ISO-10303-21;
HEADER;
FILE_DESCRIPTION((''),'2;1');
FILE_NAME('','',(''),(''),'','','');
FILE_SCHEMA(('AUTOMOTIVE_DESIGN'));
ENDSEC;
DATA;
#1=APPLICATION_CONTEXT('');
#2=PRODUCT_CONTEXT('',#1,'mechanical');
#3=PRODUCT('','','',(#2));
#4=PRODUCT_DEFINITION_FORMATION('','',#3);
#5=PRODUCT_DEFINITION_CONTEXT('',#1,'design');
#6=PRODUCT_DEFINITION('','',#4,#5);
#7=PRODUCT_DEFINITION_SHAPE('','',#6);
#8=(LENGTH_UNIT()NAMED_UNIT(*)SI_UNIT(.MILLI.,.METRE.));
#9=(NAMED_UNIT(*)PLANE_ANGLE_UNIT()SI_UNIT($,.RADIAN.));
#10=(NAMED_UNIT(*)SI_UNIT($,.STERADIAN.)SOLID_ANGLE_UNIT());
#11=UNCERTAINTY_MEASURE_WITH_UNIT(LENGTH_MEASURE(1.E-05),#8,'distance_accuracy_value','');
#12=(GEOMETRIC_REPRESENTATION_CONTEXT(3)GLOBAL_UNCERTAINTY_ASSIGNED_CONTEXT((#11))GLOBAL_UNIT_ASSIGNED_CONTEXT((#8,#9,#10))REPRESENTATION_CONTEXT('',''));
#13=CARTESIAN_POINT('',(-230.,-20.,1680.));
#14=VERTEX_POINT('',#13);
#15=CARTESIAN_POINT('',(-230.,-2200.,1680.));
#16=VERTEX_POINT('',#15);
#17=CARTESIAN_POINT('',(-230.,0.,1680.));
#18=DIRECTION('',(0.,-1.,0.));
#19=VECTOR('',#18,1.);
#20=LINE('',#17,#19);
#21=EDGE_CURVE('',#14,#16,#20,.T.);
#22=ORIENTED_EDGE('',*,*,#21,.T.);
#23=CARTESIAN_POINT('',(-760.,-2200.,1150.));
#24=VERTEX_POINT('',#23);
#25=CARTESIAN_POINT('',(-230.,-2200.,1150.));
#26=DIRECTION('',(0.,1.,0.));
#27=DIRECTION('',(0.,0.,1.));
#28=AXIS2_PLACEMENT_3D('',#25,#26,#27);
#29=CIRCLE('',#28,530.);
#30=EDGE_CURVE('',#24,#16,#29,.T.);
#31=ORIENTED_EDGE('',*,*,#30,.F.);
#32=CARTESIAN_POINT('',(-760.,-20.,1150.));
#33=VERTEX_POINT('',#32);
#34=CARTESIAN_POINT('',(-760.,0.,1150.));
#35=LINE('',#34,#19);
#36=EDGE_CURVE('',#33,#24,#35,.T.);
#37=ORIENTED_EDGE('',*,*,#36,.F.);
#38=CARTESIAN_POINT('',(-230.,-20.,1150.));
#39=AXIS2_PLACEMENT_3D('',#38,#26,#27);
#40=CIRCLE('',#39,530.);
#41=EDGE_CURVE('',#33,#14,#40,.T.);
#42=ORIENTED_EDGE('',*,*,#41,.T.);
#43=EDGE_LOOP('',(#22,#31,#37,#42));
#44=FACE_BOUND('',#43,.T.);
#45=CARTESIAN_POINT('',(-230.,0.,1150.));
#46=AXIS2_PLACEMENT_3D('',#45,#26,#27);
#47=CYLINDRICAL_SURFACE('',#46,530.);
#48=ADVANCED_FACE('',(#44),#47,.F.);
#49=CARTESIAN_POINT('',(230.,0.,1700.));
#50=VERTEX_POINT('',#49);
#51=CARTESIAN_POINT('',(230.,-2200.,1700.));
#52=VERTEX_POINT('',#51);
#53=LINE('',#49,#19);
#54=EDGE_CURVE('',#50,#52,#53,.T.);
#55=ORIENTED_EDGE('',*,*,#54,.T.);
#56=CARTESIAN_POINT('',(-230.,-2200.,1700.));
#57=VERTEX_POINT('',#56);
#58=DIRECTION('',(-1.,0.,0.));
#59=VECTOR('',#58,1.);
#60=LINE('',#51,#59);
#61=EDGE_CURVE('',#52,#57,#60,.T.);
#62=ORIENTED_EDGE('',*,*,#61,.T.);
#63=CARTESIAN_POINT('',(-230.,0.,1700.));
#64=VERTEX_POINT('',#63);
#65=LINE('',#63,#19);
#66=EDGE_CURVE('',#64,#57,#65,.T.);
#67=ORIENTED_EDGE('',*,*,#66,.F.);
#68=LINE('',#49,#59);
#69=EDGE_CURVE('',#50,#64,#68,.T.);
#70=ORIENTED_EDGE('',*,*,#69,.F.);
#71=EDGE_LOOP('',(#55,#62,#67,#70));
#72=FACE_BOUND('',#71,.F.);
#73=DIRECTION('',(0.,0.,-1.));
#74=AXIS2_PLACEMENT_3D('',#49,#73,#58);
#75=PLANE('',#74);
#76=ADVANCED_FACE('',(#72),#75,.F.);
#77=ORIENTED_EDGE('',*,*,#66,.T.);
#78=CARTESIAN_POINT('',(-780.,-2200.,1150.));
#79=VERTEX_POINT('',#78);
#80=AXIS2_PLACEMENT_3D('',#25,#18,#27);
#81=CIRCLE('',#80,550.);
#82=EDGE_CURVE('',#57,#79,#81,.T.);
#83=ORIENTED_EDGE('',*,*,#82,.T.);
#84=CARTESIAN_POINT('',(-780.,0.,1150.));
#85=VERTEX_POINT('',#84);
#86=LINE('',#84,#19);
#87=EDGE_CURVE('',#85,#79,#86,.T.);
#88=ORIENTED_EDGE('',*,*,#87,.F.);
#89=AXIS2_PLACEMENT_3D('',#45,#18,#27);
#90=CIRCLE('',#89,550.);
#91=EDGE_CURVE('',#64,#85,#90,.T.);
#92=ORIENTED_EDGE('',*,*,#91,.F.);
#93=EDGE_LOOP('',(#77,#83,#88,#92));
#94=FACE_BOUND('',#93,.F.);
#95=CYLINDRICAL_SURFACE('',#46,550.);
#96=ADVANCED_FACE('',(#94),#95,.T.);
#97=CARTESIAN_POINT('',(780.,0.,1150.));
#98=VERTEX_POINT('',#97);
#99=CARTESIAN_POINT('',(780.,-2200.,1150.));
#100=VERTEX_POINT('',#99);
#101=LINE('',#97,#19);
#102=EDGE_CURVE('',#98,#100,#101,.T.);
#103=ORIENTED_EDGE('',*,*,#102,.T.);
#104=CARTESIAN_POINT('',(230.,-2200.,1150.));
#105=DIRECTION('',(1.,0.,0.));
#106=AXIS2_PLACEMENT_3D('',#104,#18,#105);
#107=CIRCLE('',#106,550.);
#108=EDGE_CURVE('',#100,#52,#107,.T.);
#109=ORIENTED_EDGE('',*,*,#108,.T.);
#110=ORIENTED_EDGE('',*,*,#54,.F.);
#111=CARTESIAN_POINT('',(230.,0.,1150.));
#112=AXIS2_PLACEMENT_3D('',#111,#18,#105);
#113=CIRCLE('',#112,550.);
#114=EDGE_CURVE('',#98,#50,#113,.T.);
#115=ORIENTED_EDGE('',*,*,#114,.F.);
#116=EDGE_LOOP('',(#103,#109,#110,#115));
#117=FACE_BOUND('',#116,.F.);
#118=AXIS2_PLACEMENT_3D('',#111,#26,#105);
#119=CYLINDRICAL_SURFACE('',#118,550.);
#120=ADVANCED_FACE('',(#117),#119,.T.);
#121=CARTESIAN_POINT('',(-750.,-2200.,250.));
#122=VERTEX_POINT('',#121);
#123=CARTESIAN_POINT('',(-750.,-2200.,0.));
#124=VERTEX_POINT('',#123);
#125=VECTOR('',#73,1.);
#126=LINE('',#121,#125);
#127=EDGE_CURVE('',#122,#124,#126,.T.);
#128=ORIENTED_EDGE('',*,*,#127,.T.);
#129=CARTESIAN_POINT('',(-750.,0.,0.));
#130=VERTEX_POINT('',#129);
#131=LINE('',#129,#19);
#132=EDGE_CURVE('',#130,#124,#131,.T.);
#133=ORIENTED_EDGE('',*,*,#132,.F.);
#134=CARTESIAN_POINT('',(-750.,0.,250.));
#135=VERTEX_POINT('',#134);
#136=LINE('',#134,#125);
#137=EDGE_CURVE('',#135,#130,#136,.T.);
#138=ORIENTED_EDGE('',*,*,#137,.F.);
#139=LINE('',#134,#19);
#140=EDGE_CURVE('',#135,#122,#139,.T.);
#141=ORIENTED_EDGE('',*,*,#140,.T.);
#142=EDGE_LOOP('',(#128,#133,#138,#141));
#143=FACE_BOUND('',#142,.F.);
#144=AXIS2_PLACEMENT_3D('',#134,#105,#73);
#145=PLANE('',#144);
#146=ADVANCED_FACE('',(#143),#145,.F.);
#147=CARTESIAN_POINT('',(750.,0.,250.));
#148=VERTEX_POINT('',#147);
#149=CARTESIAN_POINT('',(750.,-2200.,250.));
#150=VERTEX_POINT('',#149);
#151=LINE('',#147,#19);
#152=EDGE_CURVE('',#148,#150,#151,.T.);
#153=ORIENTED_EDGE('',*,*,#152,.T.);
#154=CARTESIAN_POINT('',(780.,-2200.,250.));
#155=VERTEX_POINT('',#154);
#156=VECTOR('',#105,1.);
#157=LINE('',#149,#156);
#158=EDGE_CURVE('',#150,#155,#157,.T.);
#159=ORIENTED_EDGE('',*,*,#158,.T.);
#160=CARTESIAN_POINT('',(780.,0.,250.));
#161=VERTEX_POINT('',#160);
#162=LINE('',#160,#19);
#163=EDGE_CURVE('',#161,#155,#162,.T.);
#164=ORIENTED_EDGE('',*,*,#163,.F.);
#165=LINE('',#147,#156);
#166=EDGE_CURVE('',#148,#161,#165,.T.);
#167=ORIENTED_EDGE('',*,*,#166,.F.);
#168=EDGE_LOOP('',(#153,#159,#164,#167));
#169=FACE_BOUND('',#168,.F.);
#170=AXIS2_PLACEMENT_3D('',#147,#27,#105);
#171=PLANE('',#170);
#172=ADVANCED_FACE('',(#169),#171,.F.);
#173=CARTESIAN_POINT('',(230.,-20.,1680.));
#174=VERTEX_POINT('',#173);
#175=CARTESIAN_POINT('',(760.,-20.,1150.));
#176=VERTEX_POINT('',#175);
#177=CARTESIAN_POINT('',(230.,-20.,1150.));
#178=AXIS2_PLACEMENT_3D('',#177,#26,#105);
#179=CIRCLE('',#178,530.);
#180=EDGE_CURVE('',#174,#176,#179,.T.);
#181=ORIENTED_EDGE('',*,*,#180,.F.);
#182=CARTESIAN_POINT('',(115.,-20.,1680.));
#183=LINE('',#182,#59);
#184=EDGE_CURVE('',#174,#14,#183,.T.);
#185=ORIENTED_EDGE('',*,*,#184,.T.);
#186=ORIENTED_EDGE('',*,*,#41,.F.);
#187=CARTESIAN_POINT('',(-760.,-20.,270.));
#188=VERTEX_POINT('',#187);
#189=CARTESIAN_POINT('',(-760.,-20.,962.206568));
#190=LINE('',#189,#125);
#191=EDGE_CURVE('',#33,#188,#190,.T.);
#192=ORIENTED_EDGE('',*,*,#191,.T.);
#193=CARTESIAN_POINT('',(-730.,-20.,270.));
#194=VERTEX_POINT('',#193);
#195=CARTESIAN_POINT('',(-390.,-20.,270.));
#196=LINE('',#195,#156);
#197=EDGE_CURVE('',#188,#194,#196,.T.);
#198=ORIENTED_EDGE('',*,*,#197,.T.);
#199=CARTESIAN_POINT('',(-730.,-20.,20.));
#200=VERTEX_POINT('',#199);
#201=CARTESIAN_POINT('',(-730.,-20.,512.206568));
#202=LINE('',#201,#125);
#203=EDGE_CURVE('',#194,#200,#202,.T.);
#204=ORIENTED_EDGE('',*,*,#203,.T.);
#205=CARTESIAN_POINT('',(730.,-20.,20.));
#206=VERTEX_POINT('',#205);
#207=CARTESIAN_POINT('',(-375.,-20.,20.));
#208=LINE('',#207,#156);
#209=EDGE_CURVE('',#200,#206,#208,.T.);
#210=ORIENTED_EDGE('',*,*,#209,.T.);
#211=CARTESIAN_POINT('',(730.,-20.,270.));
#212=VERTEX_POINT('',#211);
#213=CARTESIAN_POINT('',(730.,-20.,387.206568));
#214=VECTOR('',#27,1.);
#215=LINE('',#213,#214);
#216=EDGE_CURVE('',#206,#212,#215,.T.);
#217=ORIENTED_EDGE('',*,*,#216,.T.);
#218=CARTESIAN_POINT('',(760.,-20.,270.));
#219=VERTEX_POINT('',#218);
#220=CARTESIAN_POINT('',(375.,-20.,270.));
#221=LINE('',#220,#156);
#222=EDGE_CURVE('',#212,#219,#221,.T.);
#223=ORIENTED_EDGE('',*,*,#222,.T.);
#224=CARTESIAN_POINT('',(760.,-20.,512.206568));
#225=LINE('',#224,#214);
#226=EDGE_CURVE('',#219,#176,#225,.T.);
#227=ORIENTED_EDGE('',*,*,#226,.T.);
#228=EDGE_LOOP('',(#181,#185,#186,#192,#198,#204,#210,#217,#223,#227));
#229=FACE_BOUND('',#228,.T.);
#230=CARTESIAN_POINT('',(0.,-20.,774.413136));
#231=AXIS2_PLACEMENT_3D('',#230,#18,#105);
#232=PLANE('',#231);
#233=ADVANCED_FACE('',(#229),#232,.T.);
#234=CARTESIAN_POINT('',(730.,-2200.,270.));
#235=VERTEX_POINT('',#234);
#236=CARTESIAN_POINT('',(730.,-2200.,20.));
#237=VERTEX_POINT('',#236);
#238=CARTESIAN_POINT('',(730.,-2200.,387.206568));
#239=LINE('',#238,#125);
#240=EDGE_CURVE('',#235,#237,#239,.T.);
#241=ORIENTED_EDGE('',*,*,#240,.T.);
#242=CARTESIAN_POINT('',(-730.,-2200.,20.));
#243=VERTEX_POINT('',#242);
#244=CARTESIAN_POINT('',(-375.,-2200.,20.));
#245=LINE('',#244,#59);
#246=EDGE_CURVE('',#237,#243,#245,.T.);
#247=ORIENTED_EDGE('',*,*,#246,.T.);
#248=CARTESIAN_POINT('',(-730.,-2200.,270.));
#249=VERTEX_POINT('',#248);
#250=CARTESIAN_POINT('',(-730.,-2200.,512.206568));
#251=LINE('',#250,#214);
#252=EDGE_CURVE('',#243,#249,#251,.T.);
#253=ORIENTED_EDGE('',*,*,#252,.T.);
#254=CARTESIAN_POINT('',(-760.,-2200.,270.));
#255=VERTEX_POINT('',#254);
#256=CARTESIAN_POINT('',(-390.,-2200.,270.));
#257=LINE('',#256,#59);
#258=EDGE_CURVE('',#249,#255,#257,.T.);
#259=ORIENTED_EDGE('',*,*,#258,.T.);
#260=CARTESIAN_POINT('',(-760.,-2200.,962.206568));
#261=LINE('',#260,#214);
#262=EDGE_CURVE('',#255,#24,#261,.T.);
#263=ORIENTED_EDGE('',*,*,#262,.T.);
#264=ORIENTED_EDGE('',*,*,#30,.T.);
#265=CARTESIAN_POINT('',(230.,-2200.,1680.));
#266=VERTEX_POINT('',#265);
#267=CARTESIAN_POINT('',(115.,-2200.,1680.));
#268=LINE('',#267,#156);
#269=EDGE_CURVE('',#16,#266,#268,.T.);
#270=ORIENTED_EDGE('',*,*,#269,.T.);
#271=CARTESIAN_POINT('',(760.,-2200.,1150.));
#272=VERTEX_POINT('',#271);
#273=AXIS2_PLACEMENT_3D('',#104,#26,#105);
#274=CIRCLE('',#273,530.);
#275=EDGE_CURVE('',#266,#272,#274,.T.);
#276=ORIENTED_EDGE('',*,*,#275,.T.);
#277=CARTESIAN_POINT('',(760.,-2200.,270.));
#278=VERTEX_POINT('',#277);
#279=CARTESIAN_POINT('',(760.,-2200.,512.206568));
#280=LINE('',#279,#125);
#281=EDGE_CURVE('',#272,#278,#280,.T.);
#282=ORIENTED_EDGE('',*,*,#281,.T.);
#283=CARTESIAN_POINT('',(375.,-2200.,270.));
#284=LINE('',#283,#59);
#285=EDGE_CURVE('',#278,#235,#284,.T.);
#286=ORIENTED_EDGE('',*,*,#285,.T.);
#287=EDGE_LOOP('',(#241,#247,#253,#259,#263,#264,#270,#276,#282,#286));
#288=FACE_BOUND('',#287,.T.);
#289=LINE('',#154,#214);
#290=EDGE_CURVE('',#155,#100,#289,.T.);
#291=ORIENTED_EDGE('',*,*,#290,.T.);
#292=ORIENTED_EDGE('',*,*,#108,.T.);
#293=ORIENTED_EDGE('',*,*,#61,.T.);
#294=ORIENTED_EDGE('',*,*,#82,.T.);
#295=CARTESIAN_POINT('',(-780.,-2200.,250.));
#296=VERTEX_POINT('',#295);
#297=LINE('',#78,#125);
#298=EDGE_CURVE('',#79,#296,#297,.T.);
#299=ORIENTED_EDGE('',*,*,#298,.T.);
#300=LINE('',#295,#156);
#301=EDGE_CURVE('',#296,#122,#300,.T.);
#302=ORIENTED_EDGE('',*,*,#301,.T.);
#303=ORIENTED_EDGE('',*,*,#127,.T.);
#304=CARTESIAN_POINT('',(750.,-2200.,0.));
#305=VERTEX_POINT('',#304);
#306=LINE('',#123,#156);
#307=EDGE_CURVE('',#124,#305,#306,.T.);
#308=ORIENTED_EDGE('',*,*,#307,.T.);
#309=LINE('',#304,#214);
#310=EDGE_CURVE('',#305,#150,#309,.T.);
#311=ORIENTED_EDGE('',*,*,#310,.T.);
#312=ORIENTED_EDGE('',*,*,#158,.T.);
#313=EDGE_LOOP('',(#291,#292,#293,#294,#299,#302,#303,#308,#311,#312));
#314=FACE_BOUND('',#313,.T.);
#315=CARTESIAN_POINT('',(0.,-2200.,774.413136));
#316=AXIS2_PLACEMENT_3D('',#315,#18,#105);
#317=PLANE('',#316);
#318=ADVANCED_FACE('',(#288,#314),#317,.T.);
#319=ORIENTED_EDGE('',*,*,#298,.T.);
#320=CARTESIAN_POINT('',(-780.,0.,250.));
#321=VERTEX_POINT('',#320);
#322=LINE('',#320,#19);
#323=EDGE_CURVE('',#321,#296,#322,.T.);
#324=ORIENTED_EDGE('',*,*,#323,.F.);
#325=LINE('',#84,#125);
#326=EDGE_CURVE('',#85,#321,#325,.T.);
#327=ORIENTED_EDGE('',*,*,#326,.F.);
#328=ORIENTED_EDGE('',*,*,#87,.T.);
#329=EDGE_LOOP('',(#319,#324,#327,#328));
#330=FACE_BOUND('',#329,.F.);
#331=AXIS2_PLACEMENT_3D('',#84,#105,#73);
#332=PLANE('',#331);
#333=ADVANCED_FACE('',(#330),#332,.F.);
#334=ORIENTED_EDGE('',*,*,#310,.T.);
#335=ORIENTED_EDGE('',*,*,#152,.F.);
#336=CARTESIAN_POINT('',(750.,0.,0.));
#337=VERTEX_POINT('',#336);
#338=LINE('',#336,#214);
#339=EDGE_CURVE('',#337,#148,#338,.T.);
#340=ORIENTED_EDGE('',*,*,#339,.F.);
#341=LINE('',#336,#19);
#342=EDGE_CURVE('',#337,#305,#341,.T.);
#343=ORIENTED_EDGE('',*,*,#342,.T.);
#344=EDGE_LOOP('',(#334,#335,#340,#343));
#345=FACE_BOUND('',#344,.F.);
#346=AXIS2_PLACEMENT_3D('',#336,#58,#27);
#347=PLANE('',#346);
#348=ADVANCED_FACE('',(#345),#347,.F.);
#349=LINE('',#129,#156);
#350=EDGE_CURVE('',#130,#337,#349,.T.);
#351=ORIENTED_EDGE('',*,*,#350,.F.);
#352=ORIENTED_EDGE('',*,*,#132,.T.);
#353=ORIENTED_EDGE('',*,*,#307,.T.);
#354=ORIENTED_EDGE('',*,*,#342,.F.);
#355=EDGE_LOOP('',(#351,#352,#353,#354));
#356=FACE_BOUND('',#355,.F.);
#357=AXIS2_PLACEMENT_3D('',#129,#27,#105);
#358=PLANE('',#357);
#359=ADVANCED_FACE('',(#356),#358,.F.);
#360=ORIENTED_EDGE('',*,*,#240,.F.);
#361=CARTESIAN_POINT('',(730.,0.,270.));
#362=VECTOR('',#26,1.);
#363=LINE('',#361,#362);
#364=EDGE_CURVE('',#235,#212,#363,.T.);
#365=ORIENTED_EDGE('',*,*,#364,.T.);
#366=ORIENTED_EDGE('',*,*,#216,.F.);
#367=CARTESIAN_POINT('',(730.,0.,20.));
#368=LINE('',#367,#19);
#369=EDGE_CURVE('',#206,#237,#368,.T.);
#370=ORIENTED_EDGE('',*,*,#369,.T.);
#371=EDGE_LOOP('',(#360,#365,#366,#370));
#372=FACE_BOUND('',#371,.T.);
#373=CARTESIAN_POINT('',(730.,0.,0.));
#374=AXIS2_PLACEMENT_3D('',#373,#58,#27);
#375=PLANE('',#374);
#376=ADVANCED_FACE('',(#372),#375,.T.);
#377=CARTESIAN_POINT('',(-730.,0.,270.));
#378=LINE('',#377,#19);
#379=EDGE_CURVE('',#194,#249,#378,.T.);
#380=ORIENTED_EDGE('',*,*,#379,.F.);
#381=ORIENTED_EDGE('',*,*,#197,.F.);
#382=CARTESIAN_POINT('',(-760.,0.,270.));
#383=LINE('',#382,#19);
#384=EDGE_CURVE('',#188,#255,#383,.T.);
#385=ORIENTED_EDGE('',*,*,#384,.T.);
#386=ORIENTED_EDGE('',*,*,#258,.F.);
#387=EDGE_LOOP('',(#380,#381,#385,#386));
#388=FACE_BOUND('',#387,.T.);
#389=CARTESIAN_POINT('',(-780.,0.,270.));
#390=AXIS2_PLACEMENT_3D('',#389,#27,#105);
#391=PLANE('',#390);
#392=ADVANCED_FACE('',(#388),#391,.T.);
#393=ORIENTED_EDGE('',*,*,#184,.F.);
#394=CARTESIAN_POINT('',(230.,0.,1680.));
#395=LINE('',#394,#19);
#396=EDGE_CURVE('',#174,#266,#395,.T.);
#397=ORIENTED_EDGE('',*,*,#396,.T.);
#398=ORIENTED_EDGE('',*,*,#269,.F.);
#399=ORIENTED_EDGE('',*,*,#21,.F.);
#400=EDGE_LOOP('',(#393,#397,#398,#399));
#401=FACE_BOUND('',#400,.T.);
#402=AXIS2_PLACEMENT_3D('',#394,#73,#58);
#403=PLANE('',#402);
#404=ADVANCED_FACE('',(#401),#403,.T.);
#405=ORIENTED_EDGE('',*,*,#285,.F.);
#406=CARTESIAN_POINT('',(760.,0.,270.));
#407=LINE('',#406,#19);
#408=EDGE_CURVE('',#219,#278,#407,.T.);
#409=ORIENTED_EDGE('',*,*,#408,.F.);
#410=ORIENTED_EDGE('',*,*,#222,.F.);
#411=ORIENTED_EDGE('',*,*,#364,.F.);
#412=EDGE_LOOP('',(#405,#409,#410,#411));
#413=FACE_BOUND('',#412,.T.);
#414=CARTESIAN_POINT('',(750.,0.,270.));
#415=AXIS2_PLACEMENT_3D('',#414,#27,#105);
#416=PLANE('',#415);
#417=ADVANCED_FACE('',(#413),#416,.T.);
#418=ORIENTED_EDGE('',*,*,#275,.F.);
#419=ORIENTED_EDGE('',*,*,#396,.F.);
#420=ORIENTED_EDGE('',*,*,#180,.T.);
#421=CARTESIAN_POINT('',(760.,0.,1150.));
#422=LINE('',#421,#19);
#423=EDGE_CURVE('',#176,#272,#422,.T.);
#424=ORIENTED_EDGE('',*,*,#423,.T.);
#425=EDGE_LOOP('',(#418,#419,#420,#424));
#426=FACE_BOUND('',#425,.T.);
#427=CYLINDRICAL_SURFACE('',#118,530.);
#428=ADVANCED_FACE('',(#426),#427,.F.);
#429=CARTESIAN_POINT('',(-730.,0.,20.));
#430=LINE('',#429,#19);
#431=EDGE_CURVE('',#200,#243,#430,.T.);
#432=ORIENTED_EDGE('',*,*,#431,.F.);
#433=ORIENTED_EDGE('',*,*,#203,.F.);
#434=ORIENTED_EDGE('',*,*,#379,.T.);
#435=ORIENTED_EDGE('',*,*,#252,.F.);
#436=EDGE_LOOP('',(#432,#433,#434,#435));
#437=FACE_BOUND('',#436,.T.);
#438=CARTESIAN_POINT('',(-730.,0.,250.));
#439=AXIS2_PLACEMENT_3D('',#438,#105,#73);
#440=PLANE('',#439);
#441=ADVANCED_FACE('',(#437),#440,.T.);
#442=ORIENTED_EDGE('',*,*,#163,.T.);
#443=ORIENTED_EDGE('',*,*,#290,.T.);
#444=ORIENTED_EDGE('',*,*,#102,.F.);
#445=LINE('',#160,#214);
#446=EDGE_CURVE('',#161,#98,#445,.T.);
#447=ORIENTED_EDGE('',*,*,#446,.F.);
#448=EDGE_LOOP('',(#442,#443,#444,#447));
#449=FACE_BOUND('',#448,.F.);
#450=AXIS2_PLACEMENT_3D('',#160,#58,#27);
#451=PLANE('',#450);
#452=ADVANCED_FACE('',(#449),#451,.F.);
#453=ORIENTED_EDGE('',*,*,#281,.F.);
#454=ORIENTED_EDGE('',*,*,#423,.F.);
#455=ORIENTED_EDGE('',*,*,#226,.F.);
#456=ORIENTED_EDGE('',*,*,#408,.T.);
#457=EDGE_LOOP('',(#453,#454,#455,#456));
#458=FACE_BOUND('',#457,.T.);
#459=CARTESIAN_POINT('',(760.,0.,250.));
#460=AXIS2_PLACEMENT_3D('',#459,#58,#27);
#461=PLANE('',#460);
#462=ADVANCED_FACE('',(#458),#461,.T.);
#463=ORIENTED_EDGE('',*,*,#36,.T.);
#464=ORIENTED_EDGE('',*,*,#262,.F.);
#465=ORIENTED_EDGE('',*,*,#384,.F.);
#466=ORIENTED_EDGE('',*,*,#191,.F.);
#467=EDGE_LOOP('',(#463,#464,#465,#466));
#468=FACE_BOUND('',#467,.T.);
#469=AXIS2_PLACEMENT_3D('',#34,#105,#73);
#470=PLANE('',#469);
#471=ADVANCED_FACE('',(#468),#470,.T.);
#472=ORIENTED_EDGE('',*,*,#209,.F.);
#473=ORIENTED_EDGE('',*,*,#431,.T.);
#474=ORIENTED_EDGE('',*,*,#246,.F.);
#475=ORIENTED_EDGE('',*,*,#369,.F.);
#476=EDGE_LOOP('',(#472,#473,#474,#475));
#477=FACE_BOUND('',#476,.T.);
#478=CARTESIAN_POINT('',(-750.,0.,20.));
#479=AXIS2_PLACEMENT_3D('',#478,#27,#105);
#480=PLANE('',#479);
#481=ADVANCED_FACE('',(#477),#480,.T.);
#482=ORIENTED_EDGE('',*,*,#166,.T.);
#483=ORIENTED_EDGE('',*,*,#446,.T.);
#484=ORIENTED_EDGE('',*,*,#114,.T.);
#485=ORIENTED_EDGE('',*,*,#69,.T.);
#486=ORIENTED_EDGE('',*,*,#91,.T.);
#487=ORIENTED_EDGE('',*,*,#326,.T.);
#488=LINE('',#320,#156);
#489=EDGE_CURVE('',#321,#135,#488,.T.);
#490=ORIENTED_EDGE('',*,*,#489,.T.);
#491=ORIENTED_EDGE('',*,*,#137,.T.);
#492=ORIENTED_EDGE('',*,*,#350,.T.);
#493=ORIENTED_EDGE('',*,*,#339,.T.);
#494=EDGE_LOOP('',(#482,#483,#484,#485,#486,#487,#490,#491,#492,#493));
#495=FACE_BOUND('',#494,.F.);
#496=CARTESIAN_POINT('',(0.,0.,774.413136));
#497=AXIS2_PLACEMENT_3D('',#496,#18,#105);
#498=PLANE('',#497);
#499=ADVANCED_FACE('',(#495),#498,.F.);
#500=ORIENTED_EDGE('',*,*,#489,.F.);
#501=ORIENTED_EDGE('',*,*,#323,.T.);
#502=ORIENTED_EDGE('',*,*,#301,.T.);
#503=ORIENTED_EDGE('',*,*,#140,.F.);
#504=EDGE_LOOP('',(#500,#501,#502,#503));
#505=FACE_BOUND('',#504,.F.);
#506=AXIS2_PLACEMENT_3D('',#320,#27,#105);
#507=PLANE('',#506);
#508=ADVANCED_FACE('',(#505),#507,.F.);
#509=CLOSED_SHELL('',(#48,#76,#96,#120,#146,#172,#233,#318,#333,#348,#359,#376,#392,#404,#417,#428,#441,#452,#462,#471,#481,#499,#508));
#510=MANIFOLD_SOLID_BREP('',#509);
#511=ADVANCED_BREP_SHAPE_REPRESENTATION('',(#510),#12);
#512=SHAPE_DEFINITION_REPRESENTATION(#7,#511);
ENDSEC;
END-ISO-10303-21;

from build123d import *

# Parameters (mm, degrees)
F1_DEPTH = 2200
F2_T     = -20


with BuildPart() as f1:
    # F0 (on Front) → F1 (new body)
    with BuildSketch(Plane.XZ):
        with BuildLine():
            Line((-750, 250), (-750, 0))
            Line((-750, 0), (750, 0))
            Line((750, 0), (750, 250))
            Line((750, 250), (780, 250))
            Line((780, 250), (780, 1150))
            ThreePointArc((780, 1150), (618.9087296526, 1538.9087296526), (230, 1700))
            Line((230, 1700), (-230, 1700))
            ThreePointArc((-230, 1700), (-618.9087296526, 1538.9087296526), (-780, 1150))
            Line((-780, 1150), (-780, 250))
            Line((-780, 250), (-750, 250))
        make_face()
    extrude(amount=F1_DEPTH)

    # F2
    f2_openings = [f1.faces().sort_by_distance(p)[0] for p in [
        (0, -2200, 816.682074),
    ]]
    offset(amount=F2_T, openings=f2_openings, kind=Kind.INTERSECTION)


solid = f1.part
